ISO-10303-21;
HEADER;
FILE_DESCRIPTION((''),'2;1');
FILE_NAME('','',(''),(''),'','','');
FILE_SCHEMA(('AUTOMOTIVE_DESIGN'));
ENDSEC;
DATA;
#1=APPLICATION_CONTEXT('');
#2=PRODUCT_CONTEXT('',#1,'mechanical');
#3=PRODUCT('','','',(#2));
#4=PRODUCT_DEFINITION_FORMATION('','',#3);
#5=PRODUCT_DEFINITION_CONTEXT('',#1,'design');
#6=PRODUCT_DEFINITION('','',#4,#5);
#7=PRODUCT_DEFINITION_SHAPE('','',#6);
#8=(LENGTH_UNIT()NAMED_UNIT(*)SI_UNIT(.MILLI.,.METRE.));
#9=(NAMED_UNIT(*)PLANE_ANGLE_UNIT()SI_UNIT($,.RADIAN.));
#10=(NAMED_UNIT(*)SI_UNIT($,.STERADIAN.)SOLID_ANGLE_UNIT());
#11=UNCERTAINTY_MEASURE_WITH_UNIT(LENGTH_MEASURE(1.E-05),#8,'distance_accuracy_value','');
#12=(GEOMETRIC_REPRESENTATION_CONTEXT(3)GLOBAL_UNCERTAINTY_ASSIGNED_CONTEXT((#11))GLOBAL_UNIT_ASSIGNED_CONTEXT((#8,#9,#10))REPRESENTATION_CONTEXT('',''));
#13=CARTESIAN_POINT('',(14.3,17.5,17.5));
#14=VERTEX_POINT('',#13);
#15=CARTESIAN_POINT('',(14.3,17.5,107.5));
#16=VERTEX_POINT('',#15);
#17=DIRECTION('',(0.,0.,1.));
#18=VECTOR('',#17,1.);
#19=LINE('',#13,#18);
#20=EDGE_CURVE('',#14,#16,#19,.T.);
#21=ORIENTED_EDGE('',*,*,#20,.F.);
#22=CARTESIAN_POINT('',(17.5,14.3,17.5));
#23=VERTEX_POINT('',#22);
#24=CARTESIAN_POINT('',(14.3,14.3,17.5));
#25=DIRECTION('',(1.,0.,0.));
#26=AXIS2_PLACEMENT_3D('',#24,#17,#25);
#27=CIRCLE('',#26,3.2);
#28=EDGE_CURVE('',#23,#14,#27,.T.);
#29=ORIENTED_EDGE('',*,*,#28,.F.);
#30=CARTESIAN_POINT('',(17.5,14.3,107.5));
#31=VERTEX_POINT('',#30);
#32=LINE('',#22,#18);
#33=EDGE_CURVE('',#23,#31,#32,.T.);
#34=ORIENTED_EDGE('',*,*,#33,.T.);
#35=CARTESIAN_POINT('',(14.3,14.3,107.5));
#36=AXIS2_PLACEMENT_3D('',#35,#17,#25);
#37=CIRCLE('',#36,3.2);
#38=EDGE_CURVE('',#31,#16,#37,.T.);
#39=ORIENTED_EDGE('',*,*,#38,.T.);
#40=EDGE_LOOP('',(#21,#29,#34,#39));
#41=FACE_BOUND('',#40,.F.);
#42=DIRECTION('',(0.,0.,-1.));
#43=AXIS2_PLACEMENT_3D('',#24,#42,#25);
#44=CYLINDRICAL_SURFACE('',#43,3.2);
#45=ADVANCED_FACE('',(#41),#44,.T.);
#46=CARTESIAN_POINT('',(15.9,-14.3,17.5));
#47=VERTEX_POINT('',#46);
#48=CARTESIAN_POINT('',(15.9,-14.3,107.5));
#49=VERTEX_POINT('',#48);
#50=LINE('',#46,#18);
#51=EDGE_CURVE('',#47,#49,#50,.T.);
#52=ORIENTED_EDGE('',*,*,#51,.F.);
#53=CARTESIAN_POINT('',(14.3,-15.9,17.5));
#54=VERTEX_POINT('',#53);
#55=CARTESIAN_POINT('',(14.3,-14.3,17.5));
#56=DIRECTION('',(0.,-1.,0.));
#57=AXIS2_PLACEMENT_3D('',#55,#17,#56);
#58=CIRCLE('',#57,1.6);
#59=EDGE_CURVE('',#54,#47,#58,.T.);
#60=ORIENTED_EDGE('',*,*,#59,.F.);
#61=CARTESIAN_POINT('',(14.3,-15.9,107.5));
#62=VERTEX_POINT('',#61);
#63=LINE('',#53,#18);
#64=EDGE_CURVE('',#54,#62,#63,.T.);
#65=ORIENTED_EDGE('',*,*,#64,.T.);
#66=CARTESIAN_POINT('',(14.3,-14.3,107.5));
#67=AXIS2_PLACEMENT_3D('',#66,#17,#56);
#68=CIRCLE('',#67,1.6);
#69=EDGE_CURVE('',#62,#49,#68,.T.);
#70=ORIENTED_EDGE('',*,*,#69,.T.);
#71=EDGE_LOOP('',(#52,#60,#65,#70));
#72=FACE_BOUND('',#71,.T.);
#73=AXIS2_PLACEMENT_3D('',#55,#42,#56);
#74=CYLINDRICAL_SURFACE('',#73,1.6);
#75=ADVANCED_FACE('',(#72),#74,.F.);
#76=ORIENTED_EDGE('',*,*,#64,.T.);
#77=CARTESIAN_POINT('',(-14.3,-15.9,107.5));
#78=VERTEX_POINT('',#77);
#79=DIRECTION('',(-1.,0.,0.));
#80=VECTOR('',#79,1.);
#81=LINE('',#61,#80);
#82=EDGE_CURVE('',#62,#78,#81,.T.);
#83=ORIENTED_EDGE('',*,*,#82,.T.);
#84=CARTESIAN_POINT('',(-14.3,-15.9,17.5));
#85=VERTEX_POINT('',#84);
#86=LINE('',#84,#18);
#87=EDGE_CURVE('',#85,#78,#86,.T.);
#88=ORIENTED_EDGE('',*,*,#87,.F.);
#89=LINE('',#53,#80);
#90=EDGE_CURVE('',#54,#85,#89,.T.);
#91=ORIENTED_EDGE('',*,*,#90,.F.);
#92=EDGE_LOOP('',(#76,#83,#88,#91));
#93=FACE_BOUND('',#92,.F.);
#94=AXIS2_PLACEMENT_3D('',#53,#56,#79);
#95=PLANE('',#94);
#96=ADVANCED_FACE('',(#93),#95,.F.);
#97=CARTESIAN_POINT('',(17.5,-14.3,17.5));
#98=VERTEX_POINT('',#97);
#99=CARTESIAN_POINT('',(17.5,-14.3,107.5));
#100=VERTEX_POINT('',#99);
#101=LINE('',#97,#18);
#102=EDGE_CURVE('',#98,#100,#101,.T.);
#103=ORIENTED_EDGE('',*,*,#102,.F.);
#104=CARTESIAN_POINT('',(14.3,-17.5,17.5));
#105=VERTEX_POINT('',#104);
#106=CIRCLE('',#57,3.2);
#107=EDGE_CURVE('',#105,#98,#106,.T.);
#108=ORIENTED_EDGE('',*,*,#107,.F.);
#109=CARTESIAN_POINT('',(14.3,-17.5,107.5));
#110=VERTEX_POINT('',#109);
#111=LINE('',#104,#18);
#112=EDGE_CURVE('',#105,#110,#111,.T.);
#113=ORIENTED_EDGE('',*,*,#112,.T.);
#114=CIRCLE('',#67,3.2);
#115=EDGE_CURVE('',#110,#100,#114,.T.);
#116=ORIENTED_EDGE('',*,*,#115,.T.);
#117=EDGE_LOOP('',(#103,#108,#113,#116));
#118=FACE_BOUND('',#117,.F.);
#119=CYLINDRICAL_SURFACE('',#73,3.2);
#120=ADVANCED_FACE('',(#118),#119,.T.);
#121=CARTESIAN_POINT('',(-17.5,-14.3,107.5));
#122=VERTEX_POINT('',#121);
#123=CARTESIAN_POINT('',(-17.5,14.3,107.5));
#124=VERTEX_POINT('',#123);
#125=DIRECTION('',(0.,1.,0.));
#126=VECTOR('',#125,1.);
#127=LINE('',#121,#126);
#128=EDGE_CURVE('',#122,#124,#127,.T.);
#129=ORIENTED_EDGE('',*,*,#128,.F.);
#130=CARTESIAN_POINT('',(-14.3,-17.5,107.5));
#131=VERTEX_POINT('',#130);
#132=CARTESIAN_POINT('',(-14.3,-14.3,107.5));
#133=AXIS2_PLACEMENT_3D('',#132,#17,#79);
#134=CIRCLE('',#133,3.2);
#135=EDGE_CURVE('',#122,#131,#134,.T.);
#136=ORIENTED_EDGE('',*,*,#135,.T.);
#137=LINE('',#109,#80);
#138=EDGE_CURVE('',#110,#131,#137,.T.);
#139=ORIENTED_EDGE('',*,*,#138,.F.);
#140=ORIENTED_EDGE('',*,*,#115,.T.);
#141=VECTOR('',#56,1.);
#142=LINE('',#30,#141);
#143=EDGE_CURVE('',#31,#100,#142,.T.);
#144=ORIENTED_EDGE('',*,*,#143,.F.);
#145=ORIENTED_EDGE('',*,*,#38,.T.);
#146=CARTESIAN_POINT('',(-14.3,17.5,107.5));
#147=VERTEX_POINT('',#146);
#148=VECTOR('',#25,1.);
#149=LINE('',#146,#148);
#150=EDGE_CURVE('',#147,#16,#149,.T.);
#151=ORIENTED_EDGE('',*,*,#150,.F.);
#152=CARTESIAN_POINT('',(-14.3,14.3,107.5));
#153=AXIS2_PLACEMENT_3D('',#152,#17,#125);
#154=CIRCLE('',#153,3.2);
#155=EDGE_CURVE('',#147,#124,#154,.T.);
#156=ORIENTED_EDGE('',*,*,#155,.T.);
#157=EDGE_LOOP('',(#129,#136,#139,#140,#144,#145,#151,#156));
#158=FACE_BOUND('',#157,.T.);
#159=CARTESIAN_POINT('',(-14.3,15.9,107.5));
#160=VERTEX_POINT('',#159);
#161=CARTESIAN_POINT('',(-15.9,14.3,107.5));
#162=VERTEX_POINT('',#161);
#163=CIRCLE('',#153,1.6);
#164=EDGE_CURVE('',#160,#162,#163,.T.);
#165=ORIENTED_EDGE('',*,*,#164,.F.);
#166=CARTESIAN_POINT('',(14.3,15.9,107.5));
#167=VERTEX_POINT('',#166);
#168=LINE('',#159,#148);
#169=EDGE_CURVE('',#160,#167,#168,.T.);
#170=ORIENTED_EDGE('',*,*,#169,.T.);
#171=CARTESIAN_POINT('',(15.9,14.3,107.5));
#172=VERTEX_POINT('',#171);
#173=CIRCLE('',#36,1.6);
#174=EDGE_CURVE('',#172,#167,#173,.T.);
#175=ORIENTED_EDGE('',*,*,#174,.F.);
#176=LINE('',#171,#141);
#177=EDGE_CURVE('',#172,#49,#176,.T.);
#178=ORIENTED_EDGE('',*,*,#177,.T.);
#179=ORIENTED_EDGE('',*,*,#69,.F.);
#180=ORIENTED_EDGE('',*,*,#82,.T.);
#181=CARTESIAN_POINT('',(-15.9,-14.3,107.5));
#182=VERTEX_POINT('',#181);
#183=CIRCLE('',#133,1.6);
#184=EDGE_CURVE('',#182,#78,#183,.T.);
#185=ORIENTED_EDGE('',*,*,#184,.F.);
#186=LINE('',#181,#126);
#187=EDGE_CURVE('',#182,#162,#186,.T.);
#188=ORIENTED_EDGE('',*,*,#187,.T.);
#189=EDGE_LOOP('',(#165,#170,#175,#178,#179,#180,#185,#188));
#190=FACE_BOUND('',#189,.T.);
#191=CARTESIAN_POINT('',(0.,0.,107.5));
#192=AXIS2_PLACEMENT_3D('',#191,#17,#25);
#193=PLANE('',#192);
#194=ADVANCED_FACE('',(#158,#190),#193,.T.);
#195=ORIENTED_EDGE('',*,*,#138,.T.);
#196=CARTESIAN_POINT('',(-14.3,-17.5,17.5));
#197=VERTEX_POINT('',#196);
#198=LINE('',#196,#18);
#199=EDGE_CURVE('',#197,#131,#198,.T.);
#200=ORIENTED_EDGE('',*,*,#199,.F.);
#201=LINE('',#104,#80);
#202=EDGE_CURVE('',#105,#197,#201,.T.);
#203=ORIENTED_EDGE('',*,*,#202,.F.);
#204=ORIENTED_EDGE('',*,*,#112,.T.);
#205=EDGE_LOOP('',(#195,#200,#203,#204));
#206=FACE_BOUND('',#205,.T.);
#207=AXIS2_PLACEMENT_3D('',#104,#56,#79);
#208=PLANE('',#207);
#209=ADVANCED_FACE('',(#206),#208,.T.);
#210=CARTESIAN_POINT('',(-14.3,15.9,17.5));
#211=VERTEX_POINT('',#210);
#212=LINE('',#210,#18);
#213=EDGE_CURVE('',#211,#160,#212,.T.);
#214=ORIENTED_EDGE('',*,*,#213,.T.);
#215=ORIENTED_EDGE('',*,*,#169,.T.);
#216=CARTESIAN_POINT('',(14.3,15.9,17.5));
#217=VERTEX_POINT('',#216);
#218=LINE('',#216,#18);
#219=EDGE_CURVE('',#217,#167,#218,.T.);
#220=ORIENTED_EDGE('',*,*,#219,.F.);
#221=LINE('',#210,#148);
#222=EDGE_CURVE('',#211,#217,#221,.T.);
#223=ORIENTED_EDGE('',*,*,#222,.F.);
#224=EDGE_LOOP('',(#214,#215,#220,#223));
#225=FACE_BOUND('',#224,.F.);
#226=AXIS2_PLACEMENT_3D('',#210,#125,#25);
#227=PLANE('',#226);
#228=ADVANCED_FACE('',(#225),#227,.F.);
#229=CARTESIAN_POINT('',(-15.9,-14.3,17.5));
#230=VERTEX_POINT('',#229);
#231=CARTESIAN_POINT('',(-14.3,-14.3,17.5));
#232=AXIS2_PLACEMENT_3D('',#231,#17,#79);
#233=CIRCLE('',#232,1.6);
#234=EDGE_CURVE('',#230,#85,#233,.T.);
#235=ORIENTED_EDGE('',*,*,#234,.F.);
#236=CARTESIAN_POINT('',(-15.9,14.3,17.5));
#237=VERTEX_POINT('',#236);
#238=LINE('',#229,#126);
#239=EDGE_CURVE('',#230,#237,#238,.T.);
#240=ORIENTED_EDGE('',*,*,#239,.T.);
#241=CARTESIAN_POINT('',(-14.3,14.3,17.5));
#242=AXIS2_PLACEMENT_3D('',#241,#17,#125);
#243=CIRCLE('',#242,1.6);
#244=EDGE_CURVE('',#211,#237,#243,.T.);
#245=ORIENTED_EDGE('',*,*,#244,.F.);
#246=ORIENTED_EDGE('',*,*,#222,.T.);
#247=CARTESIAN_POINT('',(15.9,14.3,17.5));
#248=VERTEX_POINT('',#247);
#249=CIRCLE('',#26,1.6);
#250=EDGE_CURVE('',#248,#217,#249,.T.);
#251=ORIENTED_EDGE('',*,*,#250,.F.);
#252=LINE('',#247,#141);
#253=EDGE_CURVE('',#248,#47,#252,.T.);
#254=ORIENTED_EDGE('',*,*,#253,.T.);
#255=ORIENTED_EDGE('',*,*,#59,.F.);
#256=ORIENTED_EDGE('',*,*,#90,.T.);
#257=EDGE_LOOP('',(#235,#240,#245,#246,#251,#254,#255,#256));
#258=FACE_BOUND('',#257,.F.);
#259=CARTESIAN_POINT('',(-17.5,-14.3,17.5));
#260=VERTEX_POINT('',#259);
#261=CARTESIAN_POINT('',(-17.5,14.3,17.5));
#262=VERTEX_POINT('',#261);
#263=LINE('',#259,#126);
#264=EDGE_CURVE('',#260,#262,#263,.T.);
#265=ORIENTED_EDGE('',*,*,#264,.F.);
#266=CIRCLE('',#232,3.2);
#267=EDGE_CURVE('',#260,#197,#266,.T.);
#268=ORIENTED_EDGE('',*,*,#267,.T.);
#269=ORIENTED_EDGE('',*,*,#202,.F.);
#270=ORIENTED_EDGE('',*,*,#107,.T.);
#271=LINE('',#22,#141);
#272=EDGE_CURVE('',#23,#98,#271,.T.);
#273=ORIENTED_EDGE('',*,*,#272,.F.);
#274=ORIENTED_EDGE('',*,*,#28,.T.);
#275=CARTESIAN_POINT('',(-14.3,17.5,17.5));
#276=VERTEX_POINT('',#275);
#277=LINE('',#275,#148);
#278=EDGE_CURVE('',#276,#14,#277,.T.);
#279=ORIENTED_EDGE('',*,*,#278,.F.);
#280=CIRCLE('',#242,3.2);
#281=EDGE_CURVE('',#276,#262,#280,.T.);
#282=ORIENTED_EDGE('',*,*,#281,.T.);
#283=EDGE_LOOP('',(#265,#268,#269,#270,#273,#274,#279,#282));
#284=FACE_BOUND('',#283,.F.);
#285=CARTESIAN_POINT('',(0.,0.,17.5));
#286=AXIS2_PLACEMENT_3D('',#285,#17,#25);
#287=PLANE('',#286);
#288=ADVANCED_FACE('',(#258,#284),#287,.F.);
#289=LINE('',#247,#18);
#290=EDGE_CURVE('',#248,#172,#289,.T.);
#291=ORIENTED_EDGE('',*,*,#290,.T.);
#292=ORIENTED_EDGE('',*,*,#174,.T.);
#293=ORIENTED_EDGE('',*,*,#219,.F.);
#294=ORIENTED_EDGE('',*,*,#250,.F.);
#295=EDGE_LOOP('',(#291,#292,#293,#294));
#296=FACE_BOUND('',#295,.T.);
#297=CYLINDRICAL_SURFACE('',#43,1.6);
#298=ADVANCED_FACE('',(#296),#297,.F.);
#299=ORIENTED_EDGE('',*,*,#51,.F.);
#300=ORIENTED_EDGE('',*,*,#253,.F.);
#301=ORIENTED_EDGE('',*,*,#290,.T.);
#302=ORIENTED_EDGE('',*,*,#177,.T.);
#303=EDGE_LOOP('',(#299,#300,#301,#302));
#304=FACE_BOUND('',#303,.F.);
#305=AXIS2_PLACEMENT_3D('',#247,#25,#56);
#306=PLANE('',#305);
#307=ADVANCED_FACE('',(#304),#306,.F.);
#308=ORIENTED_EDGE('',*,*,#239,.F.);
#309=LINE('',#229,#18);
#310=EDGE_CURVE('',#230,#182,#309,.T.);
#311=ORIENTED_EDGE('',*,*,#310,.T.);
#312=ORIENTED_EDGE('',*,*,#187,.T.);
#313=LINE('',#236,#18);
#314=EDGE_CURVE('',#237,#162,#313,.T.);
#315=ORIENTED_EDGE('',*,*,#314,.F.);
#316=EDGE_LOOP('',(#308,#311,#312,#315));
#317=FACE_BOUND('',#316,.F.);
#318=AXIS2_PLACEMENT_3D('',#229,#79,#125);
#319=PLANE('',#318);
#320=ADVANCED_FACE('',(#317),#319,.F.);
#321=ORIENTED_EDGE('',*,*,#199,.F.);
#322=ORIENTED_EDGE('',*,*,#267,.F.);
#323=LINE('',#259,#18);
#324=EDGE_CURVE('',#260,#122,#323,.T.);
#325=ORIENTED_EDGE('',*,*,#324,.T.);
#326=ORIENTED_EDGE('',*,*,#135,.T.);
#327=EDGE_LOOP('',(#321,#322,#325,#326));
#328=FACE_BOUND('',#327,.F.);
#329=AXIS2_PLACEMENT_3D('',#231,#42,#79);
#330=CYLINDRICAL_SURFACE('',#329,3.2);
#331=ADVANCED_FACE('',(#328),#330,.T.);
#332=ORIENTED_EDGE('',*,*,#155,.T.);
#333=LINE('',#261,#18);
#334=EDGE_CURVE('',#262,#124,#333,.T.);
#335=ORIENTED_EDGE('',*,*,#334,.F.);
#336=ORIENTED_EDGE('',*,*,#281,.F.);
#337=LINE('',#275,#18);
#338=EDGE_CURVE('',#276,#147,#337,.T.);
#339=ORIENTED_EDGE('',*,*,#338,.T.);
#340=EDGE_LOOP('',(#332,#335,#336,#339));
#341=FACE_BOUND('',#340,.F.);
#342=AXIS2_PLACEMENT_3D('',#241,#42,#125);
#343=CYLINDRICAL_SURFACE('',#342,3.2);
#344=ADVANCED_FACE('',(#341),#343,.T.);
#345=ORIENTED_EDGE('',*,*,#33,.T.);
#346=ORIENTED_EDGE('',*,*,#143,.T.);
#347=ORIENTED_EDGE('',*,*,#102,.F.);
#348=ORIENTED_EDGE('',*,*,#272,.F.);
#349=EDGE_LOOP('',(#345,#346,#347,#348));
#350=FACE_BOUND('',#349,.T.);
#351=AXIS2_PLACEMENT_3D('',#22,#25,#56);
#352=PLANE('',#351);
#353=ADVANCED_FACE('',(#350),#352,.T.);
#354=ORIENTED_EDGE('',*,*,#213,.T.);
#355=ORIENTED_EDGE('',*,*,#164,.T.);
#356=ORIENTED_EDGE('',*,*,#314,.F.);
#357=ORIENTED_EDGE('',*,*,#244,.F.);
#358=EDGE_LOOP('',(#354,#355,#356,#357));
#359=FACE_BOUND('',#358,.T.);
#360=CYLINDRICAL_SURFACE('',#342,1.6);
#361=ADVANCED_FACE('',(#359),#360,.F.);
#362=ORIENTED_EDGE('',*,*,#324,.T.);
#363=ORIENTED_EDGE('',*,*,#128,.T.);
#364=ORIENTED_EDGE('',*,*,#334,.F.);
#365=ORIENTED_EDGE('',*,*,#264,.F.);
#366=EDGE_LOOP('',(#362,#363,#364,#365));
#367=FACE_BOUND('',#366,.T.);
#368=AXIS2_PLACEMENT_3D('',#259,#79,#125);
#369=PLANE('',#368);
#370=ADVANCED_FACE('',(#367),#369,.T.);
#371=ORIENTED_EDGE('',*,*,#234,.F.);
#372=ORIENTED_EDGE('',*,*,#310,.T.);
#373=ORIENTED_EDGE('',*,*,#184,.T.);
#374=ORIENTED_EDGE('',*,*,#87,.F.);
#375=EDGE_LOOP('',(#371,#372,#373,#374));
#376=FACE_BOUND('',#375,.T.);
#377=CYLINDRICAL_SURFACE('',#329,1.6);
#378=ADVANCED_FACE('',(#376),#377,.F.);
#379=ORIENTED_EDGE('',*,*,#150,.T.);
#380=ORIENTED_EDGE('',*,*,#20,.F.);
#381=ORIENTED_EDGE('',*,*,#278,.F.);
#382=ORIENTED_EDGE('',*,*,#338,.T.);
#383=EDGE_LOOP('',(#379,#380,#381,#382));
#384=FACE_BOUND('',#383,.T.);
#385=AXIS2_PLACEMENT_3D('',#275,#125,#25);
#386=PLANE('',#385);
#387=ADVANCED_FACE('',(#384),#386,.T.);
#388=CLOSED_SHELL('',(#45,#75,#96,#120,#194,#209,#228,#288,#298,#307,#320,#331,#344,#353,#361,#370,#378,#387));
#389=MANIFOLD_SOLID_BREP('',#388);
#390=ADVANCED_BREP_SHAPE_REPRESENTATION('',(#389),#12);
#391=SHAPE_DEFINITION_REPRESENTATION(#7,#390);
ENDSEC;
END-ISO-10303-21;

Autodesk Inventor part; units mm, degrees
ref_plane "Start plane" through (0, 0, 17.5) normal (0, 0, 1) x (1, 0, 0)
ref_plane "End plane" through (0, 0, 107.5) normal (0, 0, 1) x (1, 0, 0)
sketch "Sketch" plane through (0, 0, 0) normal (0, 0, 1) x (1, 0, 0)
  line L0 (-17.5, -14.3) -> (-17.5, 14.3)
  line L1 (-14.3, 17.5) -> (14.3, 17.5)
  line L2 (17.5, 14.3) -> (17.5, -14.3)
  line L3 (14.3, -17.5) -> (-14.3, -17.5)
  arc A0 (-17.5, -14.3) -> (-14.3, -17.5) centre (-14.3, -14.3) ccw
  arc A1 (-14.3, 17.5) -> (-17.5, 14.3) centre (-14.3, 14.3) ccw
  arc A2 (17.5, 14.3) -> (14.3, 17.5) centre (14.3, 14.3) ccw
  arc A3 (14.3, -17.5) -> (17.5, -14.3) centre (14.3, -14.3) ccw
  arc A4 (-14.3, 15.9) -> (-15.9, 14.3) centre (-14.3, 14.3) ccw
  line L4 (-14.3, 15.9) -> (14.3, 15.9)
  arc A5 (15.9, 14.3) -> (14.3, 15.9) centre (14.3, 14.3) ccw
  line L5 (15.9, 14.3) -> (15.9, -14.3)
  arc A6 (14.3, -15.9) -> (15.9, -14.3) centre (14.3, -14.3) ccw
  line L6 (14.3, -15.9) -> (-14.3, -15.9)
  arc A7 (-15.9, -14.3) -> (-14.3, -15.9) centre (-14.3, -14.3) ccw
  line L7 (-15.9, -14.3) -> (-15.9, 14.3)
  line L8 (0, 25.4278) -> (0, -25.4278) construction
  line L9 (-25.4278, 0) -> (25.4278, 0) construction
  dimension "d7" = 3.2
  dimension "d10" = 35
  dimension "d11" = 35
  dimension "d12" = 1.6
  dimension "d15" = 17.5
  dimension "d16" = 17.5
extrude "Body" add sketch "Sketch" along normal up to surface (90 mm away) from surface at 17.5
sketch "Sketch3" plane through (0, 0, 0) normal (0, 0, 1) x (1, 0, 0)
  line L0 (0, 0) -> (10, 0)
ref_plane "Work Plane3" through (0, 0, 0) normal (0, -1, 0) x (1, 0, 0)
sketch "Sketch4" plane through (0, 0, 0) normal (0, -1, 0) x (1, 0, 0)
  line L0 (-2, 17.5) -> (12, 17.5)
  line L1 (-2, 107.5) -> (12, 107.5)
  dimension "d18" = 90
ref_plane "Work Plane4" through (-17.5, 0, 17.5) normal (0, 0, -1) x (-1, 0, 0)
split "Split1" plane through (-17.5, 0, 17.5) removes the side toward (0, 0, -1)
ref_plane "Work Plane5" through (-17.5, 0, 107.5) normal (0, 0, 1) x (1, 0, 0)
split "Split2" plane through (-17.5, 0, 107.5) removes the side toward (0, 0, 1)
equation "\"d7\" = G_IR"
equation "\"d10\" = G_H"
equation "\"d11\" = G_W"
equation "\"d12\" = G_T"
equation "\"d15\" = 0.5 * d10"
equation "\"d16\" = 0.5 * d11"
equation "\"d3\" = G_L"
equation "\"G_W\" = 35"
equation "\"G_H\" = 35"
equation "\"G_T\" = 1.6"
equation "\"G_IR\" = 3.2"
equation "\"G_L\" = d18"
equation "\"G_OFFSET_START\" = -17.5"
equation "\"G_OFFSET_END\" = -17.5"
equation "\"d13\" = -G_OFFSET_START"
equation "\"d14\" = G_OFFSET_END + B_L"
equation "\"B_L\" = 125"
properties part number "AS 1163 - C350L0 35x35x1.6 SHS - 90" material "Steel, Mild"
